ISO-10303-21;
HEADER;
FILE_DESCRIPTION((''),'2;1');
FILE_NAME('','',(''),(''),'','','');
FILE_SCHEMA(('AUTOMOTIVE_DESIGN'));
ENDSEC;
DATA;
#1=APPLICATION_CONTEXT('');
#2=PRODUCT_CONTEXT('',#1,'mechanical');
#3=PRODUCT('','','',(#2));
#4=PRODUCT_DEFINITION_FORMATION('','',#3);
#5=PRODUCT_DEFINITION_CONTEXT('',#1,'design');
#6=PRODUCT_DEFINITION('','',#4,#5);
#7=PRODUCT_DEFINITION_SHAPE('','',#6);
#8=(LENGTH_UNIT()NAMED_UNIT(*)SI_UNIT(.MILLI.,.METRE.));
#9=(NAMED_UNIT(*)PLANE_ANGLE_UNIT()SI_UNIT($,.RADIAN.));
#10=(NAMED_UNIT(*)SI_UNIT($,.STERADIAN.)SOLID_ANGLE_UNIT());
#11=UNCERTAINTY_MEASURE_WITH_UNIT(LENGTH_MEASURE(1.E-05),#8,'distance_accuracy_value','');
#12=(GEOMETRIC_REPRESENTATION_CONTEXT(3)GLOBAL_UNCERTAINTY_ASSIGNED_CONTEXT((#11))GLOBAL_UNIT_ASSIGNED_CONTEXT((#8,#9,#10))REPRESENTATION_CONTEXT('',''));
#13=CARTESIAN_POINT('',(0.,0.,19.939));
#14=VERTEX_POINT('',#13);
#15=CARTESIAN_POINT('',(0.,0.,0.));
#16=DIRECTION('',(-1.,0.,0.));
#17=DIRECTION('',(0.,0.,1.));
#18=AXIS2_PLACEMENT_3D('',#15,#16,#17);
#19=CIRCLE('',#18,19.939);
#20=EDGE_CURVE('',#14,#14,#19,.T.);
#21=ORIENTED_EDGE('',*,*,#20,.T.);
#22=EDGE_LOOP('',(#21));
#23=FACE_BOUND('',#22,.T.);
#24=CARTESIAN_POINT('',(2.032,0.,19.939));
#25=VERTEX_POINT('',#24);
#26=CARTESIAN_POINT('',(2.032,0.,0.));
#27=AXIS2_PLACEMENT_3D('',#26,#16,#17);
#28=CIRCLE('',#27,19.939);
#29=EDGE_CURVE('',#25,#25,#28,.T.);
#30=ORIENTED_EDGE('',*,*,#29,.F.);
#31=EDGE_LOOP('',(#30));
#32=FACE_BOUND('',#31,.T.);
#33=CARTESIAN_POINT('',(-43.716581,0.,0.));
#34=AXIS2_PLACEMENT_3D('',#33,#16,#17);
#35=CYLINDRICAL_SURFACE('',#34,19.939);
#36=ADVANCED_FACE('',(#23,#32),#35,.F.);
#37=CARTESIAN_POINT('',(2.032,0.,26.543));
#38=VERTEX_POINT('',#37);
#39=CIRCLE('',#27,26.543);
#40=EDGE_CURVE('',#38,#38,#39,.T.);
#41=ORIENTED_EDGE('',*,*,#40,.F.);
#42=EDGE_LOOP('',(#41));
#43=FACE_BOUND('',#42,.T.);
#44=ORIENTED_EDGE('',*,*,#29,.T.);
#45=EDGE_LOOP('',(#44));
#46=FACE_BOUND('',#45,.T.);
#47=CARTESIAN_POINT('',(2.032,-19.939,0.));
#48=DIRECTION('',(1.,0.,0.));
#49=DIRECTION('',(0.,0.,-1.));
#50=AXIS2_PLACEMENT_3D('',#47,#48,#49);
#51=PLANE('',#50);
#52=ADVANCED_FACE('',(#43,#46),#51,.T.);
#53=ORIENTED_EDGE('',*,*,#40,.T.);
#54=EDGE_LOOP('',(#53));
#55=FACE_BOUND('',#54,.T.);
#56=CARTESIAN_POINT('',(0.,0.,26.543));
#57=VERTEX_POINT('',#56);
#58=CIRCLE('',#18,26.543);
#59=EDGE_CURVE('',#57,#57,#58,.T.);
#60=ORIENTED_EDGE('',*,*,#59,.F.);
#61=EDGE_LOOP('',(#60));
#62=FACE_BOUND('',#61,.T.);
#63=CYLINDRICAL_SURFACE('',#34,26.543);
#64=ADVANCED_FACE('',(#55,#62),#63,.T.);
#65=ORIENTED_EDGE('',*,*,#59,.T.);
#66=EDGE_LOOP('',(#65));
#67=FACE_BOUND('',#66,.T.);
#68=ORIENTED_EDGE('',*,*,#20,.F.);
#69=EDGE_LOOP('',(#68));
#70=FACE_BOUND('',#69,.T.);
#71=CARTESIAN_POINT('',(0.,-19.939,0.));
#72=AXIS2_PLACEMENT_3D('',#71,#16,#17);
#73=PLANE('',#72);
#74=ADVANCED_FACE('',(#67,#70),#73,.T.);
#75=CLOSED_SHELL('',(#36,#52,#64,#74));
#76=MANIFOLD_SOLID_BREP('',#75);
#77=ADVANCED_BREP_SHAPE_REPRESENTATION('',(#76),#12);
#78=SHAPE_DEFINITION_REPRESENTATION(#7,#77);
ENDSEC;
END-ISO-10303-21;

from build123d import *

# Parameters (mm, degrees)
SKETCH1_W = 2.032
SKETCH1_H = 6.604


with BuildPart() as part:
    # Sketch1 → Revolve1 (revolve)
    with BuildSketch(Plane.XY, mode=Mode.PRIVATE) as revolve1_sk:
        with Locations((1.016, -23.241)):
            Rectangle(SKETCH1_W, SKETCH1_H)
    revolve(revolve1_sk.sketch.rotate(Axis((-43.716580756, 0, 0), (1, 0, 0)), 270), axis=Axis((-43.716580756, 0, 0), (1, 0, 0)))  # turned: the seam where the file's is


solid = part.part
